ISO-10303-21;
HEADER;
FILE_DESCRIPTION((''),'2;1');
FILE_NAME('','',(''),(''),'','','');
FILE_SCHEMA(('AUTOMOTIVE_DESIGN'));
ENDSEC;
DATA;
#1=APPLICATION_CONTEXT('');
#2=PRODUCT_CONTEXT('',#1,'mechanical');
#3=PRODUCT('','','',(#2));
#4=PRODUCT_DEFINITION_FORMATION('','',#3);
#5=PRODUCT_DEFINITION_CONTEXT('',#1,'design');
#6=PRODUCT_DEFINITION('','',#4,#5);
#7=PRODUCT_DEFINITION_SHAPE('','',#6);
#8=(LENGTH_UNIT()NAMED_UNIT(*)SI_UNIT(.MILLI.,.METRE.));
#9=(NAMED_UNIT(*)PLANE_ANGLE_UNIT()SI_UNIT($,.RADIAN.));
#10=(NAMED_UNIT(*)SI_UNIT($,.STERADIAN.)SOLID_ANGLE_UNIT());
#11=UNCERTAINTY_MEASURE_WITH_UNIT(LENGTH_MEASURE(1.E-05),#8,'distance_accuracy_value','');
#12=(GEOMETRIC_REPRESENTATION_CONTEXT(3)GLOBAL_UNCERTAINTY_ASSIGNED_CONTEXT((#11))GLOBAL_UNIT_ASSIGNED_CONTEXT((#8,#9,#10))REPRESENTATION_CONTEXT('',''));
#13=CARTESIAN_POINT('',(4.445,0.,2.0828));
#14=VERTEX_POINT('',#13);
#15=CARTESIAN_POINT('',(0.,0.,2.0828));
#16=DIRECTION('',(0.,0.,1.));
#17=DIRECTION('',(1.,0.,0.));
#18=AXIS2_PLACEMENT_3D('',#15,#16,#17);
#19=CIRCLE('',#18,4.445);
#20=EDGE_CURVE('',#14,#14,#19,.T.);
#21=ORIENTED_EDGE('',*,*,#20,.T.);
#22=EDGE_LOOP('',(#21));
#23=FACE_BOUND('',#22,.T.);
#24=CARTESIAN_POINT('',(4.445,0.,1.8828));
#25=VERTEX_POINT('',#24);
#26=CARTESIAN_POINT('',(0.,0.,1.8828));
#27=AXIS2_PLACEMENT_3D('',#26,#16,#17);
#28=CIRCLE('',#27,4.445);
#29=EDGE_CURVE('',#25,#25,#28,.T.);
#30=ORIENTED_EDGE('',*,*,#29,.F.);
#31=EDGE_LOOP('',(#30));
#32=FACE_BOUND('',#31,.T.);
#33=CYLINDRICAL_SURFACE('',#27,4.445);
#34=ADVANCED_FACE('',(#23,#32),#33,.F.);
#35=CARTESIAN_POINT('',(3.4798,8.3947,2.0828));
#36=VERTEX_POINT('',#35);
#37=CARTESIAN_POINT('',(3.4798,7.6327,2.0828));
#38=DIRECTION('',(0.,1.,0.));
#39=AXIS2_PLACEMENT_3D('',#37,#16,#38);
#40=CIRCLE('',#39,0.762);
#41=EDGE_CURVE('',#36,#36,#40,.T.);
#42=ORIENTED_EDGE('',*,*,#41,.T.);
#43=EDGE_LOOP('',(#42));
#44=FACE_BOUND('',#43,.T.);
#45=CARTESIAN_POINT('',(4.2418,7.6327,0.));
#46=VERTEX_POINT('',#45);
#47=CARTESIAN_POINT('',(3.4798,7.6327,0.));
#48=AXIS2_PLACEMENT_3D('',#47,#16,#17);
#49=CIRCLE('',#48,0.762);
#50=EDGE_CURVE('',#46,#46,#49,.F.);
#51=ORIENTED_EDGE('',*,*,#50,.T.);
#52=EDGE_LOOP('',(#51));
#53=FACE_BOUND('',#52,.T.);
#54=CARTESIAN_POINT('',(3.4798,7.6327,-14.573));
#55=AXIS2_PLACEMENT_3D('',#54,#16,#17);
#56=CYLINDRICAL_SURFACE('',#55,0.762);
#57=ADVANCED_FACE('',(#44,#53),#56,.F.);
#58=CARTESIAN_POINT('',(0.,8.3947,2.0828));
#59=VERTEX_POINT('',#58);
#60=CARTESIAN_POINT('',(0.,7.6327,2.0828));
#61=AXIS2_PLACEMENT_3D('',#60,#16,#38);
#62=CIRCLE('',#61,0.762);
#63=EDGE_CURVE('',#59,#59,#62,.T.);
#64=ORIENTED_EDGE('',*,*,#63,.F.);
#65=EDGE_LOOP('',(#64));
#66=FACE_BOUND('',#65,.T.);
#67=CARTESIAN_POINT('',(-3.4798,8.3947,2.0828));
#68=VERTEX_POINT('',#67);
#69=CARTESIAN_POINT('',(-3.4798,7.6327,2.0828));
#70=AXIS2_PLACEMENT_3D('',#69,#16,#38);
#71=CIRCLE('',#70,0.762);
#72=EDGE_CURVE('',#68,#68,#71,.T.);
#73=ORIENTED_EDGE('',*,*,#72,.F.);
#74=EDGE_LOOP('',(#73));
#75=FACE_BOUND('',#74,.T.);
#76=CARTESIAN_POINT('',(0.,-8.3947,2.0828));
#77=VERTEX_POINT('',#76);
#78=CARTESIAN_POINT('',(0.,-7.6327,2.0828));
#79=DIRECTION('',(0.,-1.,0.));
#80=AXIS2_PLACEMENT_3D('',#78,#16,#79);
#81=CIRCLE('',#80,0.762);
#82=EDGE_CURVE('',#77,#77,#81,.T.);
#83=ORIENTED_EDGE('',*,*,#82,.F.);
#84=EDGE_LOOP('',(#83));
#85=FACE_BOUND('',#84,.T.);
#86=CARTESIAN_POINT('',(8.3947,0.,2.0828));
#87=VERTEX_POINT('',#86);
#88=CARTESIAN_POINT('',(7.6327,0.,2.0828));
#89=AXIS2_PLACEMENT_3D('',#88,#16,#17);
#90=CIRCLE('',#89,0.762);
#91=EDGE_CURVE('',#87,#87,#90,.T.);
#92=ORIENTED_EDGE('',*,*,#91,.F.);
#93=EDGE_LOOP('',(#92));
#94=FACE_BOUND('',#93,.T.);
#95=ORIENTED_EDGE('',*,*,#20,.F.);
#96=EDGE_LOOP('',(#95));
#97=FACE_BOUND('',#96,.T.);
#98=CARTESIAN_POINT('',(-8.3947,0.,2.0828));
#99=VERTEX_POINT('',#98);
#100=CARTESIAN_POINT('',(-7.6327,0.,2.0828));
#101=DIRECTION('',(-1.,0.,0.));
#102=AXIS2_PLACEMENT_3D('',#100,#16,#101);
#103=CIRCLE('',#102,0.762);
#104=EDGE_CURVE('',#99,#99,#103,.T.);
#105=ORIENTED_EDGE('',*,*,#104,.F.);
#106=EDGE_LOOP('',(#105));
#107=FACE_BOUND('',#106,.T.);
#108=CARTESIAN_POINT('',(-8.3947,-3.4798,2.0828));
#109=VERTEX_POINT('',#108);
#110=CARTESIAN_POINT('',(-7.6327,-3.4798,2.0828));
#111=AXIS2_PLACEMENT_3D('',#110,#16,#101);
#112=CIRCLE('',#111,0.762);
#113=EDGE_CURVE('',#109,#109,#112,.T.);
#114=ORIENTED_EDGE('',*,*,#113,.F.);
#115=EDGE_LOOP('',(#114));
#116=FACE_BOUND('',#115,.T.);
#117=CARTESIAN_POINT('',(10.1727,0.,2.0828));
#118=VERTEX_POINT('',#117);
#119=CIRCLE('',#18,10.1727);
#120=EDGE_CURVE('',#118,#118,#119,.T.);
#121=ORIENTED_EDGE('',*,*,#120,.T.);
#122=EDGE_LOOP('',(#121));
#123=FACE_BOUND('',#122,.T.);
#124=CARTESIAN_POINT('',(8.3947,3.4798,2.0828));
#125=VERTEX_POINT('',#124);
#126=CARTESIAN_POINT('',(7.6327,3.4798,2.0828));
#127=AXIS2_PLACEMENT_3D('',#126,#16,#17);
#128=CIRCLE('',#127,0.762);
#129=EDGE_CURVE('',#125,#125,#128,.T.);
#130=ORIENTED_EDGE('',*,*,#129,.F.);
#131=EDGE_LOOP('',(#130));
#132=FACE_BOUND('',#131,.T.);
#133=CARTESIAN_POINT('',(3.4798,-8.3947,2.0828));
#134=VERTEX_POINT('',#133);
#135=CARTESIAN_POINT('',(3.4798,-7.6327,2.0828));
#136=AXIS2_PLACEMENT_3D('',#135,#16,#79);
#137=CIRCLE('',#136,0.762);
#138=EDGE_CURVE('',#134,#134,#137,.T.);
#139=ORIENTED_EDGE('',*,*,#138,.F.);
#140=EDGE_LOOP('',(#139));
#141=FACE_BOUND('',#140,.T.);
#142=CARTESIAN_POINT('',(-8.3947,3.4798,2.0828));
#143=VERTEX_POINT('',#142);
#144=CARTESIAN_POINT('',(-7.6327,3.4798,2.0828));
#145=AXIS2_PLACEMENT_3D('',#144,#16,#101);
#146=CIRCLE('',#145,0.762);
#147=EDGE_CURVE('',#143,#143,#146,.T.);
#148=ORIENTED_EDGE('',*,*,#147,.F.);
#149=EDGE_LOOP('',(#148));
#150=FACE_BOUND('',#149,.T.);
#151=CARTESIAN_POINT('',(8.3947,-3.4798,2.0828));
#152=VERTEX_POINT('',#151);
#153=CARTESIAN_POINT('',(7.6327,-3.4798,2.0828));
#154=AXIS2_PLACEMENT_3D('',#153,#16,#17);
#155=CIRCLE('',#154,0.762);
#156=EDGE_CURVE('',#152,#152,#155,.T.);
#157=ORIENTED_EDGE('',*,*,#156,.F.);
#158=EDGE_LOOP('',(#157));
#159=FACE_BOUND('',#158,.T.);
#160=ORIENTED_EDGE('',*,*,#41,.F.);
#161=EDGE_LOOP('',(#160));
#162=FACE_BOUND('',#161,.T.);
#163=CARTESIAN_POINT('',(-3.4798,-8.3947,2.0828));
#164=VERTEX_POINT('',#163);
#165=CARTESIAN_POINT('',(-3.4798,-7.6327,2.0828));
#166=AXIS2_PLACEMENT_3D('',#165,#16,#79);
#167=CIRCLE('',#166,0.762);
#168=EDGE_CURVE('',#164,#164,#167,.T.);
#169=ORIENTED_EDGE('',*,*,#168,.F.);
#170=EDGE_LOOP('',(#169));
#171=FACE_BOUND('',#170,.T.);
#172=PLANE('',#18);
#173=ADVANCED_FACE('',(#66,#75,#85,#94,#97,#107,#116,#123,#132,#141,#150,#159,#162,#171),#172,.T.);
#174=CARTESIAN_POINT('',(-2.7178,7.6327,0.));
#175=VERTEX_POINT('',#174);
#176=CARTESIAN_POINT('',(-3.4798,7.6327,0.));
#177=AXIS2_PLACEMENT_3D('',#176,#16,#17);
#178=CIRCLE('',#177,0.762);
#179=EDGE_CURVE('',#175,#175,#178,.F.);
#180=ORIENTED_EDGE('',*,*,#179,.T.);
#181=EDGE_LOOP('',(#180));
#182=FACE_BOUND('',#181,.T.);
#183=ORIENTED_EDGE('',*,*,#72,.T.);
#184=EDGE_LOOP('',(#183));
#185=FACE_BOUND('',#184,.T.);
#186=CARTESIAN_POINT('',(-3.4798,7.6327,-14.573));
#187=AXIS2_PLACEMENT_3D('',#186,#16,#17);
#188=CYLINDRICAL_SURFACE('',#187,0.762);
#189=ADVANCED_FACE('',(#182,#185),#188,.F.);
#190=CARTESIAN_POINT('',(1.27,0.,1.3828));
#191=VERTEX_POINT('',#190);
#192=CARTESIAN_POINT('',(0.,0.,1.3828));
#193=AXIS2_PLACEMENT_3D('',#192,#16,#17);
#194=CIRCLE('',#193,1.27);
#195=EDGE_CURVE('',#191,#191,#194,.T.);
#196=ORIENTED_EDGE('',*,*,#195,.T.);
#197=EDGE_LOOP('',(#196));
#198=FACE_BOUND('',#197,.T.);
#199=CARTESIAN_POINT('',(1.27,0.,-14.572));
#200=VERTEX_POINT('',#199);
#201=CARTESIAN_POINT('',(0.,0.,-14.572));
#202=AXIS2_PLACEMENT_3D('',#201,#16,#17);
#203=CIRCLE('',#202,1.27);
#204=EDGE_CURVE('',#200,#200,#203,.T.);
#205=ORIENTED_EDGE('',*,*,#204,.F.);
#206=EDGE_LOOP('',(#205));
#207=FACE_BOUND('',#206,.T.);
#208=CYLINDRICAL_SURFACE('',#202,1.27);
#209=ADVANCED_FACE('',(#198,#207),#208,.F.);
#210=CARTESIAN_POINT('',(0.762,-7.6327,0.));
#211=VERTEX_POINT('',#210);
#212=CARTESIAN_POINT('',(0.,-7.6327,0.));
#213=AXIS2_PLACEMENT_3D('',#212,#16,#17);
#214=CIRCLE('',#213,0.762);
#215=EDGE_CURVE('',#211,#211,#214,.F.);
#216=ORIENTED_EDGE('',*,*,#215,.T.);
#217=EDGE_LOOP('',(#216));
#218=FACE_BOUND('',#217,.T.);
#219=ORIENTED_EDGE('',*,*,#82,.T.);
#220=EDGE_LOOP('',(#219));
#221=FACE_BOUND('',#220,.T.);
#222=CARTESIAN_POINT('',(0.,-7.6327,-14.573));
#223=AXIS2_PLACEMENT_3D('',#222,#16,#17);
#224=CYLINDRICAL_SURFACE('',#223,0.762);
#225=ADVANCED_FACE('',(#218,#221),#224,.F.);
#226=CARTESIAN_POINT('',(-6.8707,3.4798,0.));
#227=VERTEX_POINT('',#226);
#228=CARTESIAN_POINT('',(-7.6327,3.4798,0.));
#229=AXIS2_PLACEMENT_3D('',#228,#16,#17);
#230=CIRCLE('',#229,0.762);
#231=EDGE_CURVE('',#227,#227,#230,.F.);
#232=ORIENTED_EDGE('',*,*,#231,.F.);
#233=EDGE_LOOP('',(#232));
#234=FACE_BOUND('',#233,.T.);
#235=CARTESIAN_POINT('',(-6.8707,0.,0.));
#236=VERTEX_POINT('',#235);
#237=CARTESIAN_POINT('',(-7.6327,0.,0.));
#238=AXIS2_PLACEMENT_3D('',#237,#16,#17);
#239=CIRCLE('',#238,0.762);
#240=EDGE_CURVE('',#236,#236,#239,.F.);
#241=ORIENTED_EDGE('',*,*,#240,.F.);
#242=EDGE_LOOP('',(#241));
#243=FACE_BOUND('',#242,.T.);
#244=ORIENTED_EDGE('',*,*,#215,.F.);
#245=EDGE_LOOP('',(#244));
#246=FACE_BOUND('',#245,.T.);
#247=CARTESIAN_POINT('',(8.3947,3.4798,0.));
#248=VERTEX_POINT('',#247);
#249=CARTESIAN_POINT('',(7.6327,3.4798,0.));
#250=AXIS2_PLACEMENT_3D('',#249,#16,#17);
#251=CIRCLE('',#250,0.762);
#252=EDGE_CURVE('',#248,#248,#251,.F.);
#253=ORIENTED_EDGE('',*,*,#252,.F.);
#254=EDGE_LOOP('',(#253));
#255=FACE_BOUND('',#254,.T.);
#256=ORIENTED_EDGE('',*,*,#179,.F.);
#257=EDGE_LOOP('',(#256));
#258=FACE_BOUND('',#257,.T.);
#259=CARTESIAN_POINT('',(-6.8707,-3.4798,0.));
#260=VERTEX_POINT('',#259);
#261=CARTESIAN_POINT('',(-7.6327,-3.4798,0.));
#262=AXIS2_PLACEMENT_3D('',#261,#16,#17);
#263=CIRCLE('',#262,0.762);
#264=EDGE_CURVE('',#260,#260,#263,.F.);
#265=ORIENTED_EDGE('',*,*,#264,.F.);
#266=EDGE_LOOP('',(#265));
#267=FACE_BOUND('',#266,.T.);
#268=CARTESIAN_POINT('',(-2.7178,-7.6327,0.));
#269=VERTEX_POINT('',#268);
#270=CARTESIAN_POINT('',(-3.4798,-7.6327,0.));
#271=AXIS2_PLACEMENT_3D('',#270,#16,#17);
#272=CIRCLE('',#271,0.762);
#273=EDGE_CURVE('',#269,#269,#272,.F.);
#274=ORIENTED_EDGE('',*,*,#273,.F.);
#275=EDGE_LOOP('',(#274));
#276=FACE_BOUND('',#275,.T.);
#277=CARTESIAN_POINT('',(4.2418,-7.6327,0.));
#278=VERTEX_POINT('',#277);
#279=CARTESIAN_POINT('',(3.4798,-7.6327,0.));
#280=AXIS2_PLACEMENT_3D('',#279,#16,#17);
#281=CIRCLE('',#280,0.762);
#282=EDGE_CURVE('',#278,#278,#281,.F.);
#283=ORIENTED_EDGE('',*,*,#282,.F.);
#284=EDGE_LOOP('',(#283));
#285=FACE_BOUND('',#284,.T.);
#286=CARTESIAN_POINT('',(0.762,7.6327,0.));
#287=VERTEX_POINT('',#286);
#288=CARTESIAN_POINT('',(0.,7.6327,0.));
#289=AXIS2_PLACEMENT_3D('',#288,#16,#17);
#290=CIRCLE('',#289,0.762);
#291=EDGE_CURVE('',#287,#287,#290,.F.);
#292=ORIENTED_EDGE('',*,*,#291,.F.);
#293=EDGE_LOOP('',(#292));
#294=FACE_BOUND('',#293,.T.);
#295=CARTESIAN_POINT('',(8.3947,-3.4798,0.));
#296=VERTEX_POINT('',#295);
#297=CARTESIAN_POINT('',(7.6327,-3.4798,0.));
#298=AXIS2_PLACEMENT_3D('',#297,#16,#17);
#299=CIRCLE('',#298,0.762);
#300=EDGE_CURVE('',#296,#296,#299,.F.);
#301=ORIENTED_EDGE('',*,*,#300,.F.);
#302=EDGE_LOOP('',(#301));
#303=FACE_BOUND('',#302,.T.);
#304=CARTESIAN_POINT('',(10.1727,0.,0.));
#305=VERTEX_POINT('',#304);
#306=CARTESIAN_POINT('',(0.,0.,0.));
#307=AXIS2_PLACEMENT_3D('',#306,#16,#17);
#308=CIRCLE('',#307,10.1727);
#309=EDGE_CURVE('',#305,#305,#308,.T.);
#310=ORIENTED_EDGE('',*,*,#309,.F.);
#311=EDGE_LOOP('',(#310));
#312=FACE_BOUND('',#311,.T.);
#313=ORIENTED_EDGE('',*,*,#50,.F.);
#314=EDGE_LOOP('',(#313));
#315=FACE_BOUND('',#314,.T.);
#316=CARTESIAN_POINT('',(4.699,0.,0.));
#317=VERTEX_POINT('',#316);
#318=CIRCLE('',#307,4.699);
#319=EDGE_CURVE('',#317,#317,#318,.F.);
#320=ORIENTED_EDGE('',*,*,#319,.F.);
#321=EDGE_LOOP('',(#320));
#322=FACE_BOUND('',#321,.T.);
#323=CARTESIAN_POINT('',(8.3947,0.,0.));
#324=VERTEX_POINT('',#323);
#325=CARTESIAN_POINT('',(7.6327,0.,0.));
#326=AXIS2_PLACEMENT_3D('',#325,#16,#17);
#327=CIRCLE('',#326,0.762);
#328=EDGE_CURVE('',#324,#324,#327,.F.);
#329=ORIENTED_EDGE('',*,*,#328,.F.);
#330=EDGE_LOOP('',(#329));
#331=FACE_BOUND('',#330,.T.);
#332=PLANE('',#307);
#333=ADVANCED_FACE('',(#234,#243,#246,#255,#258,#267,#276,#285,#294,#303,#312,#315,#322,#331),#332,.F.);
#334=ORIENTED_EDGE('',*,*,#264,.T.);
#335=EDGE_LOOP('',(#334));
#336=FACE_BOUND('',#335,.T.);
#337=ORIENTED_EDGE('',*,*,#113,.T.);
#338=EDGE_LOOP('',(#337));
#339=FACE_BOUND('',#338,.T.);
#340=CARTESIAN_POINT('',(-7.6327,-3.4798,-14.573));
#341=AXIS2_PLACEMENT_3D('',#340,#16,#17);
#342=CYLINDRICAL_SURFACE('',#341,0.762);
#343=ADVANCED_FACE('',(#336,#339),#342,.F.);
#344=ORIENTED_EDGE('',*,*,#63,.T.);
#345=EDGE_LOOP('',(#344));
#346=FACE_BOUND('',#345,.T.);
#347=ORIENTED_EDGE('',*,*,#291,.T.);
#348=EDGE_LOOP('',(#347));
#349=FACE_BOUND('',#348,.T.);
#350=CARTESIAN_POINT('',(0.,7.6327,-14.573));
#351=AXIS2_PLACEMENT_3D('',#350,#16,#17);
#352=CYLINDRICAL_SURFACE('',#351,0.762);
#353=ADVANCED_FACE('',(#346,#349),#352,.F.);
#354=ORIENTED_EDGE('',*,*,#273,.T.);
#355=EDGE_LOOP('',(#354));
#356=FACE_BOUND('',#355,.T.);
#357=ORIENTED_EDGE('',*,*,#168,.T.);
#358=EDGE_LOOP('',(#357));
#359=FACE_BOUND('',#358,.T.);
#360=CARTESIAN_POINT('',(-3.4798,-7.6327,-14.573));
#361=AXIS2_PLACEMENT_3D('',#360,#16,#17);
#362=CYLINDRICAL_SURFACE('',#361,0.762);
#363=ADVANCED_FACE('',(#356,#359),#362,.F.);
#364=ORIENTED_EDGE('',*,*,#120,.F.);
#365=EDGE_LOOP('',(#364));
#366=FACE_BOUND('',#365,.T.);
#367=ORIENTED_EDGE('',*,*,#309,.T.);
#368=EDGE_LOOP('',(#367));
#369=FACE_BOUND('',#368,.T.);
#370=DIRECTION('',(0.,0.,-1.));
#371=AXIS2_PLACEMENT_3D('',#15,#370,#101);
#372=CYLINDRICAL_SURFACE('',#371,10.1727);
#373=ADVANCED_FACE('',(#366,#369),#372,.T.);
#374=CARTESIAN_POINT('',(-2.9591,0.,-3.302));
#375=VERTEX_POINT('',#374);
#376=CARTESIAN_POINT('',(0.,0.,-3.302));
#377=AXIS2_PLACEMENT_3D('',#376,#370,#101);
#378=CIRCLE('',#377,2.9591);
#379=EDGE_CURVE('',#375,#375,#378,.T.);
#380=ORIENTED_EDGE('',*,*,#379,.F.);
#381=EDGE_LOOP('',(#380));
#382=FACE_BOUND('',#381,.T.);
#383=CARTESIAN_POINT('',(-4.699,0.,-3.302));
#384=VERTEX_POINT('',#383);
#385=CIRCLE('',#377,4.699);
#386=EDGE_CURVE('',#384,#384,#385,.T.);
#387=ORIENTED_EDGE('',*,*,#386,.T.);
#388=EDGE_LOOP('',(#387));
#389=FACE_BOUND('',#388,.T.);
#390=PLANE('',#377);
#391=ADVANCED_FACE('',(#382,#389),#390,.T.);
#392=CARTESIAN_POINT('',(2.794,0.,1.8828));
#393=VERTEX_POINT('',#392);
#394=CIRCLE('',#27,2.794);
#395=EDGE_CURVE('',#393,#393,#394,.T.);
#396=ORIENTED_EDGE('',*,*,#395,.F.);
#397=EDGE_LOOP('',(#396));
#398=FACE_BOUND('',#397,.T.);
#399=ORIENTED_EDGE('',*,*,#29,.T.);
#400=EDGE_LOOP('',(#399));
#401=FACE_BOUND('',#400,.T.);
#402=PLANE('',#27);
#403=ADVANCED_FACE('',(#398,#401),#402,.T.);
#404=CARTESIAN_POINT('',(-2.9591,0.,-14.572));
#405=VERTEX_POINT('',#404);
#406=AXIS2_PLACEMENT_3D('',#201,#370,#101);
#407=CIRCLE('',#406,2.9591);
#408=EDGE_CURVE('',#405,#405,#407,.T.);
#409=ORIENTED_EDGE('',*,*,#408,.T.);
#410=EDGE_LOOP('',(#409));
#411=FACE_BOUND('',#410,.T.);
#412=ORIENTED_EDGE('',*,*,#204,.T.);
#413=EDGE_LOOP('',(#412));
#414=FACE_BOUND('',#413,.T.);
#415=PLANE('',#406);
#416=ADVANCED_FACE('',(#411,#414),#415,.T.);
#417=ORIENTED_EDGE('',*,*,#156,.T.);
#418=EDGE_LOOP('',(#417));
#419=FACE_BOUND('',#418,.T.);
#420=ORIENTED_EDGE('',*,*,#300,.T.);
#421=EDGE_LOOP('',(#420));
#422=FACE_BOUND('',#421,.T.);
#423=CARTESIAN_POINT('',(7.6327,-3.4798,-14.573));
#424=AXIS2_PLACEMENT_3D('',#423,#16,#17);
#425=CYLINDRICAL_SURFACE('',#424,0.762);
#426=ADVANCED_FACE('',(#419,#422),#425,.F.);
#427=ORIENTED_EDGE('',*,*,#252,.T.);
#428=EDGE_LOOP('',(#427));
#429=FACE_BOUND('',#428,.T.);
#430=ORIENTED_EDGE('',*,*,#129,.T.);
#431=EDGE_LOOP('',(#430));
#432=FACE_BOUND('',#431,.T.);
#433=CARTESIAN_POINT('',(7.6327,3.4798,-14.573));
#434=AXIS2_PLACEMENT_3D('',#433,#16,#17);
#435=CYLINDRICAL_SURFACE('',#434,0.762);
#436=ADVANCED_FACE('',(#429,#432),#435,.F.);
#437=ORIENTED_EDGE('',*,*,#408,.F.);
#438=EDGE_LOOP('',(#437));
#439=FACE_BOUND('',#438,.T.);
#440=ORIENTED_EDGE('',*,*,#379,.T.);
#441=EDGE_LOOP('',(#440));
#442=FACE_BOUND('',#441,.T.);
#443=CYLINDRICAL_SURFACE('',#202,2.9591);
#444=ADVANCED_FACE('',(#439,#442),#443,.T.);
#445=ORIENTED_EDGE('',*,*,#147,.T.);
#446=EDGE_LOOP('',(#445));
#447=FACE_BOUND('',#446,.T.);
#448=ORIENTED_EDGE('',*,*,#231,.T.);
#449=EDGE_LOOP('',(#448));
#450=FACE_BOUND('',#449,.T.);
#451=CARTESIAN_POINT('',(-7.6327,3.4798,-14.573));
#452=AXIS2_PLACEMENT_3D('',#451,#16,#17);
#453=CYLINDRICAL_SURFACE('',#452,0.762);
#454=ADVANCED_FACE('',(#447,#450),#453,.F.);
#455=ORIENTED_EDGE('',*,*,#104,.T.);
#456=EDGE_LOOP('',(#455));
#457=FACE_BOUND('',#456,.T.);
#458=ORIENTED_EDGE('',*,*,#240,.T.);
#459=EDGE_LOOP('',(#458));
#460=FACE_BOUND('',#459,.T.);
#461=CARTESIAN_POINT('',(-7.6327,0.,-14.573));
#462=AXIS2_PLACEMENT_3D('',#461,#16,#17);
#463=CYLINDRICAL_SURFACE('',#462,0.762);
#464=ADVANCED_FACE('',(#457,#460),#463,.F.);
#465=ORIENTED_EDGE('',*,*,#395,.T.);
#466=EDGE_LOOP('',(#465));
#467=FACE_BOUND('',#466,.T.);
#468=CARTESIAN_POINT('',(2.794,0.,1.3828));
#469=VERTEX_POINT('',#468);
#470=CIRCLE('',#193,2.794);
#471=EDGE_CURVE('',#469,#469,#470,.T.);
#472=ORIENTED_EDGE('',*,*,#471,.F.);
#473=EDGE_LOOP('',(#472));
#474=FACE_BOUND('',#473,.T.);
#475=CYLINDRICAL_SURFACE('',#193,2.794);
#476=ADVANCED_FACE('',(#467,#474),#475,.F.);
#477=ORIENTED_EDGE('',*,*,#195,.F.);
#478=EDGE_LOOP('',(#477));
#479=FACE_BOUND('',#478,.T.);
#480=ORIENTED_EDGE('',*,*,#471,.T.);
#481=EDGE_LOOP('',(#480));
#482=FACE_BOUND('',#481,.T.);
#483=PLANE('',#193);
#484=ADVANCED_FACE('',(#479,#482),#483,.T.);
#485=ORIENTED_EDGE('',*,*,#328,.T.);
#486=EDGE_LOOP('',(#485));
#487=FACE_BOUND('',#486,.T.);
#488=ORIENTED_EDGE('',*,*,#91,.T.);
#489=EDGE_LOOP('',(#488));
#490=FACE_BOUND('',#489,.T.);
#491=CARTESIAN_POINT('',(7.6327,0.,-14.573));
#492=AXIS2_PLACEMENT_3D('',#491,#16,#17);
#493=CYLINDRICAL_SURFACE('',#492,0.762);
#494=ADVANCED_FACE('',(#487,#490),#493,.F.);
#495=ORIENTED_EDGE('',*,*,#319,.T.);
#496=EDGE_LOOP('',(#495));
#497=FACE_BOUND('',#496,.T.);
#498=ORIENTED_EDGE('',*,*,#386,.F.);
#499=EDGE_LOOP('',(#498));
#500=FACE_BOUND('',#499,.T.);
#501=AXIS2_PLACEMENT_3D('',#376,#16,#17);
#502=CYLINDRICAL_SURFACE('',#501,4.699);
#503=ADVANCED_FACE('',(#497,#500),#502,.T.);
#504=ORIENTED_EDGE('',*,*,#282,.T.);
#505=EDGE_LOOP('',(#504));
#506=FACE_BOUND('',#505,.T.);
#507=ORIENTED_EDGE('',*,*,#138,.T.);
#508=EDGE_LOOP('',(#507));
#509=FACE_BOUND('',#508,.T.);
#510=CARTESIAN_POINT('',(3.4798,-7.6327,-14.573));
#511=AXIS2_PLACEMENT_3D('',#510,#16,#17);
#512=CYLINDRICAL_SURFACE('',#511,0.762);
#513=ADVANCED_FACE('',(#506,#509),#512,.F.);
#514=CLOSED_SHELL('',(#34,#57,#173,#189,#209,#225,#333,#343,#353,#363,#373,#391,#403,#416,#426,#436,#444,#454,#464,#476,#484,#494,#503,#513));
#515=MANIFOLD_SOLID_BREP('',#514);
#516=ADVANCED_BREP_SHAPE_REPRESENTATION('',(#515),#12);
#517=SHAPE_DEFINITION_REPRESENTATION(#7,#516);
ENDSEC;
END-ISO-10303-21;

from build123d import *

# Parameters (mm, degrees)
SKETCH1_R          = 10.1727
EXTRUDE1_DEPTH     = 2.0828
SKETCH2_R          = 4.699
EXTRUDE2_DEPTH     = 3.302
SKETCH3_R          = 2.9591
EXTRUDE3_DEPTH     = 11.27
SKETCH4_R          = 4.445
CUT_EXTRUDE1_DEPTH = 0.2
SKETCH6_R          = 2.794
CUT_EXTRUDE2_DEPTH = 0.5
SKETCH7_R          = 1.27
CUT_EXTRUDE3_DEPTH = 16.9548
SKETCH8_R          = 0.762
CUT_EXTRUDE4_DEPTH = 2.0828
CIRPATTERN1_COUNT  = 4


with BuildPart() as part:
    # Sketch1 → Extrude1 (new body)
    with BuildSketch(Plane.XY):
        Circle(SKETCH1_R)
    extrude(amount=EXTRUDE1_DEPTH)

    # Sketch2 → Extrude2 (add)
    with BuildSketch(Plane(origin=(0, 0, 0), x_dir=(-1, 0, 0), z_dir=(0, 0, -1))):
        Circle(SKETCH2_R)
    extrude(amount=EXTRUDE2_DEPTH)

    # Sketch3 → Extrude3 (add)
    with BuildSketch(Plane(origin=(0, 0, -3.302), x_dir=(-1, 0, 0), z_dir=(0, 0, -1))):
        Circle(SKETCH3_R)
    extrude(amount=EXTRUDE3_DEPTH)

    # Sketch4 → Cut-Extrude1 (cut)
    with BuildSketch(Plane.XY.offset(2.0828)):
        Circle(SKETCH4_R)
    extrude(amount=-CUT_EXTRUDE1_DEPTH, mode=Mode.SUBTRACT)

    # Sketch6 → Cut-Extrude2 (cut)
    with BuildSketch(Plane.XY.offset(1.8828)):
        Circle(SKETCH6_R)
    extrude(amount=-CUT_EXTRUDE2_DEPTH, mode=Mode.SUBTRACT)

    # Sketch7 → Cut-Extrude3 (cut, through all)
    with BuildSketch(Plane.XY.offset(1.3828)):
        Circle(SKETCH7_R)
    extrude(amount=-CUT_EXTRUDE3_DEPTH, mode=Mode.SUBTRACT)

    # Sketch8 → Cut-Extrude4 (cut)
    with BuildSketch(Plane.XY.offset(2.0828)):
        with Locations((7.6327, 0)):
            Circle(SKETCH8_R)
        with Locations((7.6327, -3.4798)):
            Circle(SKETCH8_R)
        with Locations((7.6327, 3.4798)):
            Circle(SKETCH8_R)
    cut_extrude4 = extrude(amount=-CUT_EXTRUDE4_DEPTH, mode=Mode.SUBTRACT)

    # CirPattern1: Cut-Extrude4 ×4 about axis
    cirpattern1_axis = Axis((0, 0, 0), (0, 0, 1))
    for i in range(1, CIRPATTERN1_COUNT):
        add(cut_extrude4.rotate(cirpattern1_axis, i * 360 / CIRPATTERN1_COUNT), mode=Mode.SUBTRACT)


solid = part.part
